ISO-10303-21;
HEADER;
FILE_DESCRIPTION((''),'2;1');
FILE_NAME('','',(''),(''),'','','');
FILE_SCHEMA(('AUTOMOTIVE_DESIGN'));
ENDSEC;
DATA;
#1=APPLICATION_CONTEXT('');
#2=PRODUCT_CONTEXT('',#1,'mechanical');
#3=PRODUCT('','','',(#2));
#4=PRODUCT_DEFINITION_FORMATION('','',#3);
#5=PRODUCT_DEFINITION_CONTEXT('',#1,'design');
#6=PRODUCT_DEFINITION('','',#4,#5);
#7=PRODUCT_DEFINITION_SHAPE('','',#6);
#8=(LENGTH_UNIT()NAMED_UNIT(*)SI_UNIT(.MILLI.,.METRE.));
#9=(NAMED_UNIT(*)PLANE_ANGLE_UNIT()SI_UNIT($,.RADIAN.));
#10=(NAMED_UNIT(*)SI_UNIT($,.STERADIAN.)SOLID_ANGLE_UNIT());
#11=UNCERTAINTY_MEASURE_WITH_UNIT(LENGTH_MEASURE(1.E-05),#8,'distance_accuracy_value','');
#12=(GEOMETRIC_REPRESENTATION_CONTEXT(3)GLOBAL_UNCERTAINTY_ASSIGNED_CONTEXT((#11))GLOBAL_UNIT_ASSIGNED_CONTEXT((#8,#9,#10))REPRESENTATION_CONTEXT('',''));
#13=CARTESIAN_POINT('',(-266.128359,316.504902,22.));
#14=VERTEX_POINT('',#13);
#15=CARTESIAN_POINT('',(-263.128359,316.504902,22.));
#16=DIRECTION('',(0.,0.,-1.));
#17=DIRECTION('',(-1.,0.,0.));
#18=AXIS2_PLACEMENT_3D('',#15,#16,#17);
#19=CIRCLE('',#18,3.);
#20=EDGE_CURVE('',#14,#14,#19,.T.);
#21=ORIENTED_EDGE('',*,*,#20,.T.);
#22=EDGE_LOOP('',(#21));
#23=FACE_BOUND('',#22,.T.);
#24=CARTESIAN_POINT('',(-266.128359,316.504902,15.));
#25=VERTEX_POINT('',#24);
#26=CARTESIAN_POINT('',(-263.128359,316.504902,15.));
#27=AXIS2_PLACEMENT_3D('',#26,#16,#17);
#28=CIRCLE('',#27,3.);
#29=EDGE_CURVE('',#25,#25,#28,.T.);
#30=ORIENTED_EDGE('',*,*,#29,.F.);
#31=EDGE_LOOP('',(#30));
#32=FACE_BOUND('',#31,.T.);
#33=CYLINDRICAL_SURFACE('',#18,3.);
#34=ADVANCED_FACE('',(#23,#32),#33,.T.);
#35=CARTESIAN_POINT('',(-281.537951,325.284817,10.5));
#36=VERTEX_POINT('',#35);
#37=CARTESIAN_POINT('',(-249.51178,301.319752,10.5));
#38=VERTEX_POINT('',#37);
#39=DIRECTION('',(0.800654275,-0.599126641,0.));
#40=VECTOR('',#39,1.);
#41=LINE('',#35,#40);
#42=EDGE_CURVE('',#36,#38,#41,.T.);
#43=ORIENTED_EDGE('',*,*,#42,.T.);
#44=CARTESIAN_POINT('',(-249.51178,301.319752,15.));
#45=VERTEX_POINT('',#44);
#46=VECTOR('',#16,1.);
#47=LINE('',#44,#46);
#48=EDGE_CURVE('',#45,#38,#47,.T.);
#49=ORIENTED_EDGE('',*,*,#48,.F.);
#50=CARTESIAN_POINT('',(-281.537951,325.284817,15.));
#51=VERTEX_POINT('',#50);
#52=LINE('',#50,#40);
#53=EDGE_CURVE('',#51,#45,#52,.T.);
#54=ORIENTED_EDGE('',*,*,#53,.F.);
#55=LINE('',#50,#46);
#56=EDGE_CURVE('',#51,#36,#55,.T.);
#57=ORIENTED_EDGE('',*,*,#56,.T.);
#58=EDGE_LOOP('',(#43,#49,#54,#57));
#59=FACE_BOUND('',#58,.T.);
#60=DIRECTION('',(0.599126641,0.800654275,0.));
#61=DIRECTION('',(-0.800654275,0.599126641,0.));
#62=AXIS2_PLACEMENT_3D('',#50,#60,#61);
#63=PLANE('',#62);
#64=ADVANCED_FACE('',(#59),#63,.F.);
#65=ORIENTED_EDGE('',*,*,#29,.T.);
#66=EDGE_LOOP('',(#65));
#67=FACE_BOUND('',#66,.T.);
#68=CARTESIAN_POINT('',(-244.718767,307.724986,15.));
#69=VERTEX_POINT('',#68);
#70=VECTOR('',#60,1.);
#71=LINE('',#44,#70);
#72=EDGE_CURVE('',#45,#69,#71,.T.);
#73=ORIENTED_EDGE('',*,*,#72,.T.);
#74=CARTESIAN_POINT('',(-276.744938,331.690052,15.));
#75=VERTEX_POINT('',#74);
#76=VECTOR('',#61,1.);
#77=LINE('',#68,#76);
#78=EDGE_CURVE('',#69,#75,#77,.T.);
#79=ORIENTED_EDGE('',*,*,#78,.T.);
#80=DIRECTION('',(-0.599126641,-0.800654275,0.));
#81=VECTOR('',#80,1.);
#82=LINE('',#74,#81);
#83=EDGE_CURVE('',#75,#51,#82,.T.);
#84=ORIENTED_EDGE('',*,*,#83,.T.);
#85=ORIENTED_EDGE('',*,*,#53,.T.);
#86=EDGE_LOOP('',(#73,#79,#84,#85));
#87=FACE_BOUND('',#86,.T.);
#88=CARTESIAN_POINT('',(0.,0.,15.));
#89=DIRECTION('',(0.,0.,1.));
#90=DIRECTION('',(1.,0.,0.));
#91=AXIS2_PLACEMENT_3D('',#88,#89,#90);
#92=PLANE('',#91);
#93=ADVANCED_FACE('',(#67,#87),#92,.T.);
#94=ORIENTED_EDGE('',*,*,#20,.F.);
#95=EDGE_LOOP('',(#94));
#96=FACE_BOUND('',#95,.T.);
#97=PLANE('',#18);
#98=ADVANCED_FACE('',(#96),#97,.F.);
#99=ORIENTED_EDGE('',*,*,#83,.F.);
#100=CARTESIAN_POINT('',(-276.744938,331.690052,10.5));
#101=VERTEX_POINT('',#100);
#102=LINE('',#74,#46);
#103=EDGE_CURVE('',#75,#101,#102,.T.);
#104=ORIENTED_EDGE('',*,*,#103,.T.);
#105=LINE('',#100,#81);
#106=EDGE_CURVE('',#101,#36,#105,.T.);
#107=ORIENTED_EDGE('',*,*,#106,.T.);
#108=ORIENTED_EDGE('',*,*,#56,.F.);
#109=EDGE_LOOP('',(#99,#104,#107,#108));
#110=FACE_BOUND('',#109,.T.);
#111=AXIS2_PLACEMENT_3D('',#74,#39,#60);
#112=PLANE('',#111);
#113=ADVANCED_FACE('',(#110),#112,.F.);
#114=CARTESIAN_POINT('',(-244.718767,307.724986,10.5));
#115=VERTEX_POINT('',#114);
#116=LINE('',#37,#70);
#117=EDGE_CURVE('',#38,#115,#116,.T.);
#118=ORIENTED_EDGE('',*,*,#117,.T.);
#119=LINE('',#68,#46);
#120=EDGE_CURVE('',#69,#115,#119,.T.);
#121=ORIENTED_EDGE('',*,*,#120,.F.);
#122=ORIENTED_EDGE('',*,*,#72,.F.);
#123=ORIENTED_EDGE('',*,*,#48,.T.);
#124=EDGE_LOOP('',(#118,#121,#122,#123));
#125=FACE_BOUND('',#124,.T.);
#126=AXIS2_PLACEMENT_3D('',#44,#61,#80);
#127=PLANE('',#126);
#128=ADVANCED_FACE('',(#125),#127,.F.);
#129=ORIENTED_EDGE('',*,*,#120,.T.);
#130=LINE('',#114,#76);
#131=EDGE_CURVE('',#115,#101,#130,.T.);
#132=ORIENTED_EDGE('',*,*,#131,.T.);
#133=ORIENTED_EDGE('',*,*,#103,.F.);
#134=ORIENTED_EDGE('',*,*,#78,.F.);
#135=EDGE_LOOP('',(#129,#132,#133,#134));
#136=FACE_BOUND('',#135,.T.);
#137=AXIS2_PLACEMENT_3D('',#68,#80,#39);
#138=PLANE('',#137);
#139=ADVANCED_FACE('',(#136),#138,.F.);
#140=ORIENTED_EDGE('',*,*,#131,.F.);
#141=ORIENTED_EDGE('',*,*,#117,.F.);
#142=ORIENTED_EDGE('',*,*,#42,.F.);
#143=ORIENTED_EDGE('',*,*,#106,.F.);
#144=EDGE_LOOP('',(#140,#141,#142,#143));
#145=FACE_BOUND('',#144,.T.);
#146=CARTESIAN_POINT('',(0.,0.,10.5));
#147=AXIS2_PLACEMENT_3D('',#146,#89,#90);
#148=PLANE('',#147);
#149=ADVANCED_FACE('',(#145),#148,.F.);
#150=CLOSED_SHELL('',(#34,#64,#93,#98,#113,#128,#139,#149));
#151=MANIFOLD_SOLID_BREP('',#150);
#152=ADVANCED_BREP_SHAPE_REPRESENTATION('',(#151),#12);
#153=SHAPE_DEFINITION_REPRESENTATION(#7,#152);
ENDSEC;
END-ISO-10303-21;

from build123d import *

# Parameters (mm, degrees)
VASTAGO_PROFILE_R = 3
GOMA_START        = 10.5
GOMA_DEPTH        = 4.5


with BuildPart() as part:
    # Vastago: sweep along a curve in space
    with BuildLine() as vastago_path:
        Line((-263.128358849, 316.504901668, 22), (-263.128358849, 316.504901668, 15))
    # Vastago profile (on start of the path) → Vastago (sweep)
    with BuildSketch(Plane(origin=(-263.128358849, 316.504901668, 22), x_dir=(-1, 0, 0), z_dir=(0, 0, -1))):
        Circle(VASTAGO_PROFILE_R)
    sweep(path=vastago_path.line)

    # Sk_Goma → Goma (add)
    with BuildSketch(Plane.XY.offset(GOMA_START)):
        Polygon((-249.511779913, 301.319751749), (-244.718766785, 307.724985949), (-276.744937786, 331.690051587), (-281.537950914, 325.284817387), align=None)
    extrude(amount=GOMA_DEPTH)


solid = part.part
